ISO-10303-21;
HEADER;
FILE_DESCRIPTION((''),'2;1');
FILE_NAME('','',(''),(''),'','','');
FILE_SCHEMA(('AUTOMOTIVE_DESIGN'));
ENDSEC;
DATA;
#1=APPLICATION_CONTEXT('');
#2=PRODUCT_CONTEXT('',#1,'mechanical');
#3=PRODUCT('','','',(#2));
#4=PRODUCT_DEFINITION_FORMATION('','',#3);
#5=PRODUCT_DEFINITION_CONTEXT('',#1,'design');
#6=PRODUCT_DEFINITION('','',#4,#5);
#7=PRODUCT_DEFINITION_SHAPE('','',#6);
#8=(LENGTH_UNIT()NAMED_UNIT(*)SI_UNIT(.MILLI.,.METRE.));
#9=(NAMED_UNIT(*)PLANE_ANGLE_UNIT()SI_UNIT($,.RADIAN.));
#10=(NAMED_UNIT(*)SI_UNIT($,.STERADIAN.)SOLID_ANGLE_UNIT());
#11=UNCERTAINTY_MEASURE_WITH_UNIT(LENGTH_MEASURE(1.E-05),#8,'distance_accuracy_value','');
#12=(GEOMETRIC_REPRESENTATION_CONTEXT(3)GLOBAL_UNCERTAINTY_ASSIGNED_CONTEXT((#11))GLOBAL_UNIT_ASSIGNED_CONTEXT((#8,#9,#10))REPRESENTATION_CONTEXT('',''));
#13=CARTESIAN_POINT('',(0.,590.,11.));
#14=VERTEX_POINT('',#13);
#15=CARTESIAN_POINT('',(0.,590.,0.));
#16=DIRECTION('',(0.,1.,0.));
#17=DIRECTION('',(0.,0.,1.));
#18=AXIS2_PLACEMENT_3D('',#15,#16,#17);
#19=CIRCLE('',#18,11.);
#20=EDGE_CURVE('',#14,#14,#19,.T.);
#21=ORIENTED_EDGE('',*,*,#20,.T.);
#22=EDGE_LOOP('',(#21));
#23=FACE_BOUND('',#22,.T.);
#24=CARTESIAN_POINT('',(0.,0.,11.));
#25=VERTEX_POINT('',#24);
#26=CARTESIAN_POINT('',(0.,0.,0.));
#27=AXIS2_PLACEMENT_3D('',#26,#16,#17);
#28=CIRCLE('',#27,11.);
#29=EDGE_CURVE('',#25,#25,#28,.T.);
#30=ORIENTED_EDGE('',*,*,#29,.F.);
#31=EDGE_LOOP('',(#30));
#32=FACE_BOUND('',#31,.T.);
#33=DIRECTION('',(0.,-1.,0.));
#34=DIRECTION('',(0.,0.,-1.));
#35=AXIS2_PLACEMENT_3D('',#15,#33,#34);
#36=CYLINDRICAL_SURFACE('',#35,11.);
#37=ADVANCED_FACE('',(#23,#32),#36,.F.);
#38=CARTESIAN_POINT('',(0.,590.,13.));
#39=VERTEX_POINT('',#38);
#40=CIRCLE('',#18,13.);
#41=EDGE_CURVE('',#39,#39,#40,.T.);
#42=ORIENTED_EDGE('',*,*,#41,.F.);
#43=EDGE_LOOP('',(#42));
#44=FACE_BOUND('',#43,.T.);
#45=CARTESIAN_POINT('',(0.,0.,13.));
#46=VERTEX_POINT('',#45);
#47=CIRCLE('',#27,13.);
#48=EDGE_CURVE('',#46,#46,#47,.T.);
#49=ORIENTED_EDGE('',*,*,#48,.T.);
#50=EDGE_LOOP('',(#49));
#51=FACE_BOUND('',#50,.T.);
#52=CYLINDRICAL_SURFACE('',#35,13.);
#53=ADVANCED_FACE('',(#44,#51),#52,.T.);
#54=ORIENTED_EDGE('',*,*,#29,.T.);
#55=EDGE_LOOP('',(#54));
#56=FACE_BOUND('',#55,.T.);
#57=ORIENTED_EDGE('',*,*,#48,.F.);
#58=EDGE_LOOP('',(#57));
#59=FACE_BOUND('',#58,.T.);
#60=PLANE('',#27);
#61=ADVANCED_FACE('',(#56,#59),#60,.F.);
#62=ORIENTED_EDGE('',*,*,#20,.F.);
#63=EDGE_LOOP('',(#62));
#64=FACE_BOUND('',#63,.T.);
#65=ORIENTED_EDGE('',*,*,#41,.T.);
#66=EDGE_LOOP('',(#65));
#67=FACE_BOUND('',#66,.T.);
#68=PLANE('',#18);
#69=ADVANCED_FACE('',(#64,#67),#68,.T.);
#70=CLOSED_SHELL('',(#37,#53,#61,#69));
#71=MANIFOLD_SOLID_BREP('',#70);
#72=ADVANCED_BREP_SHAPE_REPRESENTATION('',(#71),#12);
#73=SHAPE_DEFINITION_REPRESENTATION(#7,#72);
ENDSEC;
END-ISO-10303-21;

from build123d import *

# Parameters (mm, degrees)
SKETCH_1_R      = 13
SKETCH_1_R_2    = 11
EXTRUDE_1_DEPTH = 590


with BuildPart() as part:
    # 草图1 → 凸台-拉伸1 (new body)
    with BuildSketch(Plane(origin=(0, 0, 0), x_dir=(1, 0, 0), z_dir=(0, 1, 0))):
        Circle(SKETCH_1_R)
        Circle(SKETCH_1_R_2, mode=Mode.SUBTRACT)
    extrude(amount=EXTRUDE_1_DEPTH)


solid = part.part
